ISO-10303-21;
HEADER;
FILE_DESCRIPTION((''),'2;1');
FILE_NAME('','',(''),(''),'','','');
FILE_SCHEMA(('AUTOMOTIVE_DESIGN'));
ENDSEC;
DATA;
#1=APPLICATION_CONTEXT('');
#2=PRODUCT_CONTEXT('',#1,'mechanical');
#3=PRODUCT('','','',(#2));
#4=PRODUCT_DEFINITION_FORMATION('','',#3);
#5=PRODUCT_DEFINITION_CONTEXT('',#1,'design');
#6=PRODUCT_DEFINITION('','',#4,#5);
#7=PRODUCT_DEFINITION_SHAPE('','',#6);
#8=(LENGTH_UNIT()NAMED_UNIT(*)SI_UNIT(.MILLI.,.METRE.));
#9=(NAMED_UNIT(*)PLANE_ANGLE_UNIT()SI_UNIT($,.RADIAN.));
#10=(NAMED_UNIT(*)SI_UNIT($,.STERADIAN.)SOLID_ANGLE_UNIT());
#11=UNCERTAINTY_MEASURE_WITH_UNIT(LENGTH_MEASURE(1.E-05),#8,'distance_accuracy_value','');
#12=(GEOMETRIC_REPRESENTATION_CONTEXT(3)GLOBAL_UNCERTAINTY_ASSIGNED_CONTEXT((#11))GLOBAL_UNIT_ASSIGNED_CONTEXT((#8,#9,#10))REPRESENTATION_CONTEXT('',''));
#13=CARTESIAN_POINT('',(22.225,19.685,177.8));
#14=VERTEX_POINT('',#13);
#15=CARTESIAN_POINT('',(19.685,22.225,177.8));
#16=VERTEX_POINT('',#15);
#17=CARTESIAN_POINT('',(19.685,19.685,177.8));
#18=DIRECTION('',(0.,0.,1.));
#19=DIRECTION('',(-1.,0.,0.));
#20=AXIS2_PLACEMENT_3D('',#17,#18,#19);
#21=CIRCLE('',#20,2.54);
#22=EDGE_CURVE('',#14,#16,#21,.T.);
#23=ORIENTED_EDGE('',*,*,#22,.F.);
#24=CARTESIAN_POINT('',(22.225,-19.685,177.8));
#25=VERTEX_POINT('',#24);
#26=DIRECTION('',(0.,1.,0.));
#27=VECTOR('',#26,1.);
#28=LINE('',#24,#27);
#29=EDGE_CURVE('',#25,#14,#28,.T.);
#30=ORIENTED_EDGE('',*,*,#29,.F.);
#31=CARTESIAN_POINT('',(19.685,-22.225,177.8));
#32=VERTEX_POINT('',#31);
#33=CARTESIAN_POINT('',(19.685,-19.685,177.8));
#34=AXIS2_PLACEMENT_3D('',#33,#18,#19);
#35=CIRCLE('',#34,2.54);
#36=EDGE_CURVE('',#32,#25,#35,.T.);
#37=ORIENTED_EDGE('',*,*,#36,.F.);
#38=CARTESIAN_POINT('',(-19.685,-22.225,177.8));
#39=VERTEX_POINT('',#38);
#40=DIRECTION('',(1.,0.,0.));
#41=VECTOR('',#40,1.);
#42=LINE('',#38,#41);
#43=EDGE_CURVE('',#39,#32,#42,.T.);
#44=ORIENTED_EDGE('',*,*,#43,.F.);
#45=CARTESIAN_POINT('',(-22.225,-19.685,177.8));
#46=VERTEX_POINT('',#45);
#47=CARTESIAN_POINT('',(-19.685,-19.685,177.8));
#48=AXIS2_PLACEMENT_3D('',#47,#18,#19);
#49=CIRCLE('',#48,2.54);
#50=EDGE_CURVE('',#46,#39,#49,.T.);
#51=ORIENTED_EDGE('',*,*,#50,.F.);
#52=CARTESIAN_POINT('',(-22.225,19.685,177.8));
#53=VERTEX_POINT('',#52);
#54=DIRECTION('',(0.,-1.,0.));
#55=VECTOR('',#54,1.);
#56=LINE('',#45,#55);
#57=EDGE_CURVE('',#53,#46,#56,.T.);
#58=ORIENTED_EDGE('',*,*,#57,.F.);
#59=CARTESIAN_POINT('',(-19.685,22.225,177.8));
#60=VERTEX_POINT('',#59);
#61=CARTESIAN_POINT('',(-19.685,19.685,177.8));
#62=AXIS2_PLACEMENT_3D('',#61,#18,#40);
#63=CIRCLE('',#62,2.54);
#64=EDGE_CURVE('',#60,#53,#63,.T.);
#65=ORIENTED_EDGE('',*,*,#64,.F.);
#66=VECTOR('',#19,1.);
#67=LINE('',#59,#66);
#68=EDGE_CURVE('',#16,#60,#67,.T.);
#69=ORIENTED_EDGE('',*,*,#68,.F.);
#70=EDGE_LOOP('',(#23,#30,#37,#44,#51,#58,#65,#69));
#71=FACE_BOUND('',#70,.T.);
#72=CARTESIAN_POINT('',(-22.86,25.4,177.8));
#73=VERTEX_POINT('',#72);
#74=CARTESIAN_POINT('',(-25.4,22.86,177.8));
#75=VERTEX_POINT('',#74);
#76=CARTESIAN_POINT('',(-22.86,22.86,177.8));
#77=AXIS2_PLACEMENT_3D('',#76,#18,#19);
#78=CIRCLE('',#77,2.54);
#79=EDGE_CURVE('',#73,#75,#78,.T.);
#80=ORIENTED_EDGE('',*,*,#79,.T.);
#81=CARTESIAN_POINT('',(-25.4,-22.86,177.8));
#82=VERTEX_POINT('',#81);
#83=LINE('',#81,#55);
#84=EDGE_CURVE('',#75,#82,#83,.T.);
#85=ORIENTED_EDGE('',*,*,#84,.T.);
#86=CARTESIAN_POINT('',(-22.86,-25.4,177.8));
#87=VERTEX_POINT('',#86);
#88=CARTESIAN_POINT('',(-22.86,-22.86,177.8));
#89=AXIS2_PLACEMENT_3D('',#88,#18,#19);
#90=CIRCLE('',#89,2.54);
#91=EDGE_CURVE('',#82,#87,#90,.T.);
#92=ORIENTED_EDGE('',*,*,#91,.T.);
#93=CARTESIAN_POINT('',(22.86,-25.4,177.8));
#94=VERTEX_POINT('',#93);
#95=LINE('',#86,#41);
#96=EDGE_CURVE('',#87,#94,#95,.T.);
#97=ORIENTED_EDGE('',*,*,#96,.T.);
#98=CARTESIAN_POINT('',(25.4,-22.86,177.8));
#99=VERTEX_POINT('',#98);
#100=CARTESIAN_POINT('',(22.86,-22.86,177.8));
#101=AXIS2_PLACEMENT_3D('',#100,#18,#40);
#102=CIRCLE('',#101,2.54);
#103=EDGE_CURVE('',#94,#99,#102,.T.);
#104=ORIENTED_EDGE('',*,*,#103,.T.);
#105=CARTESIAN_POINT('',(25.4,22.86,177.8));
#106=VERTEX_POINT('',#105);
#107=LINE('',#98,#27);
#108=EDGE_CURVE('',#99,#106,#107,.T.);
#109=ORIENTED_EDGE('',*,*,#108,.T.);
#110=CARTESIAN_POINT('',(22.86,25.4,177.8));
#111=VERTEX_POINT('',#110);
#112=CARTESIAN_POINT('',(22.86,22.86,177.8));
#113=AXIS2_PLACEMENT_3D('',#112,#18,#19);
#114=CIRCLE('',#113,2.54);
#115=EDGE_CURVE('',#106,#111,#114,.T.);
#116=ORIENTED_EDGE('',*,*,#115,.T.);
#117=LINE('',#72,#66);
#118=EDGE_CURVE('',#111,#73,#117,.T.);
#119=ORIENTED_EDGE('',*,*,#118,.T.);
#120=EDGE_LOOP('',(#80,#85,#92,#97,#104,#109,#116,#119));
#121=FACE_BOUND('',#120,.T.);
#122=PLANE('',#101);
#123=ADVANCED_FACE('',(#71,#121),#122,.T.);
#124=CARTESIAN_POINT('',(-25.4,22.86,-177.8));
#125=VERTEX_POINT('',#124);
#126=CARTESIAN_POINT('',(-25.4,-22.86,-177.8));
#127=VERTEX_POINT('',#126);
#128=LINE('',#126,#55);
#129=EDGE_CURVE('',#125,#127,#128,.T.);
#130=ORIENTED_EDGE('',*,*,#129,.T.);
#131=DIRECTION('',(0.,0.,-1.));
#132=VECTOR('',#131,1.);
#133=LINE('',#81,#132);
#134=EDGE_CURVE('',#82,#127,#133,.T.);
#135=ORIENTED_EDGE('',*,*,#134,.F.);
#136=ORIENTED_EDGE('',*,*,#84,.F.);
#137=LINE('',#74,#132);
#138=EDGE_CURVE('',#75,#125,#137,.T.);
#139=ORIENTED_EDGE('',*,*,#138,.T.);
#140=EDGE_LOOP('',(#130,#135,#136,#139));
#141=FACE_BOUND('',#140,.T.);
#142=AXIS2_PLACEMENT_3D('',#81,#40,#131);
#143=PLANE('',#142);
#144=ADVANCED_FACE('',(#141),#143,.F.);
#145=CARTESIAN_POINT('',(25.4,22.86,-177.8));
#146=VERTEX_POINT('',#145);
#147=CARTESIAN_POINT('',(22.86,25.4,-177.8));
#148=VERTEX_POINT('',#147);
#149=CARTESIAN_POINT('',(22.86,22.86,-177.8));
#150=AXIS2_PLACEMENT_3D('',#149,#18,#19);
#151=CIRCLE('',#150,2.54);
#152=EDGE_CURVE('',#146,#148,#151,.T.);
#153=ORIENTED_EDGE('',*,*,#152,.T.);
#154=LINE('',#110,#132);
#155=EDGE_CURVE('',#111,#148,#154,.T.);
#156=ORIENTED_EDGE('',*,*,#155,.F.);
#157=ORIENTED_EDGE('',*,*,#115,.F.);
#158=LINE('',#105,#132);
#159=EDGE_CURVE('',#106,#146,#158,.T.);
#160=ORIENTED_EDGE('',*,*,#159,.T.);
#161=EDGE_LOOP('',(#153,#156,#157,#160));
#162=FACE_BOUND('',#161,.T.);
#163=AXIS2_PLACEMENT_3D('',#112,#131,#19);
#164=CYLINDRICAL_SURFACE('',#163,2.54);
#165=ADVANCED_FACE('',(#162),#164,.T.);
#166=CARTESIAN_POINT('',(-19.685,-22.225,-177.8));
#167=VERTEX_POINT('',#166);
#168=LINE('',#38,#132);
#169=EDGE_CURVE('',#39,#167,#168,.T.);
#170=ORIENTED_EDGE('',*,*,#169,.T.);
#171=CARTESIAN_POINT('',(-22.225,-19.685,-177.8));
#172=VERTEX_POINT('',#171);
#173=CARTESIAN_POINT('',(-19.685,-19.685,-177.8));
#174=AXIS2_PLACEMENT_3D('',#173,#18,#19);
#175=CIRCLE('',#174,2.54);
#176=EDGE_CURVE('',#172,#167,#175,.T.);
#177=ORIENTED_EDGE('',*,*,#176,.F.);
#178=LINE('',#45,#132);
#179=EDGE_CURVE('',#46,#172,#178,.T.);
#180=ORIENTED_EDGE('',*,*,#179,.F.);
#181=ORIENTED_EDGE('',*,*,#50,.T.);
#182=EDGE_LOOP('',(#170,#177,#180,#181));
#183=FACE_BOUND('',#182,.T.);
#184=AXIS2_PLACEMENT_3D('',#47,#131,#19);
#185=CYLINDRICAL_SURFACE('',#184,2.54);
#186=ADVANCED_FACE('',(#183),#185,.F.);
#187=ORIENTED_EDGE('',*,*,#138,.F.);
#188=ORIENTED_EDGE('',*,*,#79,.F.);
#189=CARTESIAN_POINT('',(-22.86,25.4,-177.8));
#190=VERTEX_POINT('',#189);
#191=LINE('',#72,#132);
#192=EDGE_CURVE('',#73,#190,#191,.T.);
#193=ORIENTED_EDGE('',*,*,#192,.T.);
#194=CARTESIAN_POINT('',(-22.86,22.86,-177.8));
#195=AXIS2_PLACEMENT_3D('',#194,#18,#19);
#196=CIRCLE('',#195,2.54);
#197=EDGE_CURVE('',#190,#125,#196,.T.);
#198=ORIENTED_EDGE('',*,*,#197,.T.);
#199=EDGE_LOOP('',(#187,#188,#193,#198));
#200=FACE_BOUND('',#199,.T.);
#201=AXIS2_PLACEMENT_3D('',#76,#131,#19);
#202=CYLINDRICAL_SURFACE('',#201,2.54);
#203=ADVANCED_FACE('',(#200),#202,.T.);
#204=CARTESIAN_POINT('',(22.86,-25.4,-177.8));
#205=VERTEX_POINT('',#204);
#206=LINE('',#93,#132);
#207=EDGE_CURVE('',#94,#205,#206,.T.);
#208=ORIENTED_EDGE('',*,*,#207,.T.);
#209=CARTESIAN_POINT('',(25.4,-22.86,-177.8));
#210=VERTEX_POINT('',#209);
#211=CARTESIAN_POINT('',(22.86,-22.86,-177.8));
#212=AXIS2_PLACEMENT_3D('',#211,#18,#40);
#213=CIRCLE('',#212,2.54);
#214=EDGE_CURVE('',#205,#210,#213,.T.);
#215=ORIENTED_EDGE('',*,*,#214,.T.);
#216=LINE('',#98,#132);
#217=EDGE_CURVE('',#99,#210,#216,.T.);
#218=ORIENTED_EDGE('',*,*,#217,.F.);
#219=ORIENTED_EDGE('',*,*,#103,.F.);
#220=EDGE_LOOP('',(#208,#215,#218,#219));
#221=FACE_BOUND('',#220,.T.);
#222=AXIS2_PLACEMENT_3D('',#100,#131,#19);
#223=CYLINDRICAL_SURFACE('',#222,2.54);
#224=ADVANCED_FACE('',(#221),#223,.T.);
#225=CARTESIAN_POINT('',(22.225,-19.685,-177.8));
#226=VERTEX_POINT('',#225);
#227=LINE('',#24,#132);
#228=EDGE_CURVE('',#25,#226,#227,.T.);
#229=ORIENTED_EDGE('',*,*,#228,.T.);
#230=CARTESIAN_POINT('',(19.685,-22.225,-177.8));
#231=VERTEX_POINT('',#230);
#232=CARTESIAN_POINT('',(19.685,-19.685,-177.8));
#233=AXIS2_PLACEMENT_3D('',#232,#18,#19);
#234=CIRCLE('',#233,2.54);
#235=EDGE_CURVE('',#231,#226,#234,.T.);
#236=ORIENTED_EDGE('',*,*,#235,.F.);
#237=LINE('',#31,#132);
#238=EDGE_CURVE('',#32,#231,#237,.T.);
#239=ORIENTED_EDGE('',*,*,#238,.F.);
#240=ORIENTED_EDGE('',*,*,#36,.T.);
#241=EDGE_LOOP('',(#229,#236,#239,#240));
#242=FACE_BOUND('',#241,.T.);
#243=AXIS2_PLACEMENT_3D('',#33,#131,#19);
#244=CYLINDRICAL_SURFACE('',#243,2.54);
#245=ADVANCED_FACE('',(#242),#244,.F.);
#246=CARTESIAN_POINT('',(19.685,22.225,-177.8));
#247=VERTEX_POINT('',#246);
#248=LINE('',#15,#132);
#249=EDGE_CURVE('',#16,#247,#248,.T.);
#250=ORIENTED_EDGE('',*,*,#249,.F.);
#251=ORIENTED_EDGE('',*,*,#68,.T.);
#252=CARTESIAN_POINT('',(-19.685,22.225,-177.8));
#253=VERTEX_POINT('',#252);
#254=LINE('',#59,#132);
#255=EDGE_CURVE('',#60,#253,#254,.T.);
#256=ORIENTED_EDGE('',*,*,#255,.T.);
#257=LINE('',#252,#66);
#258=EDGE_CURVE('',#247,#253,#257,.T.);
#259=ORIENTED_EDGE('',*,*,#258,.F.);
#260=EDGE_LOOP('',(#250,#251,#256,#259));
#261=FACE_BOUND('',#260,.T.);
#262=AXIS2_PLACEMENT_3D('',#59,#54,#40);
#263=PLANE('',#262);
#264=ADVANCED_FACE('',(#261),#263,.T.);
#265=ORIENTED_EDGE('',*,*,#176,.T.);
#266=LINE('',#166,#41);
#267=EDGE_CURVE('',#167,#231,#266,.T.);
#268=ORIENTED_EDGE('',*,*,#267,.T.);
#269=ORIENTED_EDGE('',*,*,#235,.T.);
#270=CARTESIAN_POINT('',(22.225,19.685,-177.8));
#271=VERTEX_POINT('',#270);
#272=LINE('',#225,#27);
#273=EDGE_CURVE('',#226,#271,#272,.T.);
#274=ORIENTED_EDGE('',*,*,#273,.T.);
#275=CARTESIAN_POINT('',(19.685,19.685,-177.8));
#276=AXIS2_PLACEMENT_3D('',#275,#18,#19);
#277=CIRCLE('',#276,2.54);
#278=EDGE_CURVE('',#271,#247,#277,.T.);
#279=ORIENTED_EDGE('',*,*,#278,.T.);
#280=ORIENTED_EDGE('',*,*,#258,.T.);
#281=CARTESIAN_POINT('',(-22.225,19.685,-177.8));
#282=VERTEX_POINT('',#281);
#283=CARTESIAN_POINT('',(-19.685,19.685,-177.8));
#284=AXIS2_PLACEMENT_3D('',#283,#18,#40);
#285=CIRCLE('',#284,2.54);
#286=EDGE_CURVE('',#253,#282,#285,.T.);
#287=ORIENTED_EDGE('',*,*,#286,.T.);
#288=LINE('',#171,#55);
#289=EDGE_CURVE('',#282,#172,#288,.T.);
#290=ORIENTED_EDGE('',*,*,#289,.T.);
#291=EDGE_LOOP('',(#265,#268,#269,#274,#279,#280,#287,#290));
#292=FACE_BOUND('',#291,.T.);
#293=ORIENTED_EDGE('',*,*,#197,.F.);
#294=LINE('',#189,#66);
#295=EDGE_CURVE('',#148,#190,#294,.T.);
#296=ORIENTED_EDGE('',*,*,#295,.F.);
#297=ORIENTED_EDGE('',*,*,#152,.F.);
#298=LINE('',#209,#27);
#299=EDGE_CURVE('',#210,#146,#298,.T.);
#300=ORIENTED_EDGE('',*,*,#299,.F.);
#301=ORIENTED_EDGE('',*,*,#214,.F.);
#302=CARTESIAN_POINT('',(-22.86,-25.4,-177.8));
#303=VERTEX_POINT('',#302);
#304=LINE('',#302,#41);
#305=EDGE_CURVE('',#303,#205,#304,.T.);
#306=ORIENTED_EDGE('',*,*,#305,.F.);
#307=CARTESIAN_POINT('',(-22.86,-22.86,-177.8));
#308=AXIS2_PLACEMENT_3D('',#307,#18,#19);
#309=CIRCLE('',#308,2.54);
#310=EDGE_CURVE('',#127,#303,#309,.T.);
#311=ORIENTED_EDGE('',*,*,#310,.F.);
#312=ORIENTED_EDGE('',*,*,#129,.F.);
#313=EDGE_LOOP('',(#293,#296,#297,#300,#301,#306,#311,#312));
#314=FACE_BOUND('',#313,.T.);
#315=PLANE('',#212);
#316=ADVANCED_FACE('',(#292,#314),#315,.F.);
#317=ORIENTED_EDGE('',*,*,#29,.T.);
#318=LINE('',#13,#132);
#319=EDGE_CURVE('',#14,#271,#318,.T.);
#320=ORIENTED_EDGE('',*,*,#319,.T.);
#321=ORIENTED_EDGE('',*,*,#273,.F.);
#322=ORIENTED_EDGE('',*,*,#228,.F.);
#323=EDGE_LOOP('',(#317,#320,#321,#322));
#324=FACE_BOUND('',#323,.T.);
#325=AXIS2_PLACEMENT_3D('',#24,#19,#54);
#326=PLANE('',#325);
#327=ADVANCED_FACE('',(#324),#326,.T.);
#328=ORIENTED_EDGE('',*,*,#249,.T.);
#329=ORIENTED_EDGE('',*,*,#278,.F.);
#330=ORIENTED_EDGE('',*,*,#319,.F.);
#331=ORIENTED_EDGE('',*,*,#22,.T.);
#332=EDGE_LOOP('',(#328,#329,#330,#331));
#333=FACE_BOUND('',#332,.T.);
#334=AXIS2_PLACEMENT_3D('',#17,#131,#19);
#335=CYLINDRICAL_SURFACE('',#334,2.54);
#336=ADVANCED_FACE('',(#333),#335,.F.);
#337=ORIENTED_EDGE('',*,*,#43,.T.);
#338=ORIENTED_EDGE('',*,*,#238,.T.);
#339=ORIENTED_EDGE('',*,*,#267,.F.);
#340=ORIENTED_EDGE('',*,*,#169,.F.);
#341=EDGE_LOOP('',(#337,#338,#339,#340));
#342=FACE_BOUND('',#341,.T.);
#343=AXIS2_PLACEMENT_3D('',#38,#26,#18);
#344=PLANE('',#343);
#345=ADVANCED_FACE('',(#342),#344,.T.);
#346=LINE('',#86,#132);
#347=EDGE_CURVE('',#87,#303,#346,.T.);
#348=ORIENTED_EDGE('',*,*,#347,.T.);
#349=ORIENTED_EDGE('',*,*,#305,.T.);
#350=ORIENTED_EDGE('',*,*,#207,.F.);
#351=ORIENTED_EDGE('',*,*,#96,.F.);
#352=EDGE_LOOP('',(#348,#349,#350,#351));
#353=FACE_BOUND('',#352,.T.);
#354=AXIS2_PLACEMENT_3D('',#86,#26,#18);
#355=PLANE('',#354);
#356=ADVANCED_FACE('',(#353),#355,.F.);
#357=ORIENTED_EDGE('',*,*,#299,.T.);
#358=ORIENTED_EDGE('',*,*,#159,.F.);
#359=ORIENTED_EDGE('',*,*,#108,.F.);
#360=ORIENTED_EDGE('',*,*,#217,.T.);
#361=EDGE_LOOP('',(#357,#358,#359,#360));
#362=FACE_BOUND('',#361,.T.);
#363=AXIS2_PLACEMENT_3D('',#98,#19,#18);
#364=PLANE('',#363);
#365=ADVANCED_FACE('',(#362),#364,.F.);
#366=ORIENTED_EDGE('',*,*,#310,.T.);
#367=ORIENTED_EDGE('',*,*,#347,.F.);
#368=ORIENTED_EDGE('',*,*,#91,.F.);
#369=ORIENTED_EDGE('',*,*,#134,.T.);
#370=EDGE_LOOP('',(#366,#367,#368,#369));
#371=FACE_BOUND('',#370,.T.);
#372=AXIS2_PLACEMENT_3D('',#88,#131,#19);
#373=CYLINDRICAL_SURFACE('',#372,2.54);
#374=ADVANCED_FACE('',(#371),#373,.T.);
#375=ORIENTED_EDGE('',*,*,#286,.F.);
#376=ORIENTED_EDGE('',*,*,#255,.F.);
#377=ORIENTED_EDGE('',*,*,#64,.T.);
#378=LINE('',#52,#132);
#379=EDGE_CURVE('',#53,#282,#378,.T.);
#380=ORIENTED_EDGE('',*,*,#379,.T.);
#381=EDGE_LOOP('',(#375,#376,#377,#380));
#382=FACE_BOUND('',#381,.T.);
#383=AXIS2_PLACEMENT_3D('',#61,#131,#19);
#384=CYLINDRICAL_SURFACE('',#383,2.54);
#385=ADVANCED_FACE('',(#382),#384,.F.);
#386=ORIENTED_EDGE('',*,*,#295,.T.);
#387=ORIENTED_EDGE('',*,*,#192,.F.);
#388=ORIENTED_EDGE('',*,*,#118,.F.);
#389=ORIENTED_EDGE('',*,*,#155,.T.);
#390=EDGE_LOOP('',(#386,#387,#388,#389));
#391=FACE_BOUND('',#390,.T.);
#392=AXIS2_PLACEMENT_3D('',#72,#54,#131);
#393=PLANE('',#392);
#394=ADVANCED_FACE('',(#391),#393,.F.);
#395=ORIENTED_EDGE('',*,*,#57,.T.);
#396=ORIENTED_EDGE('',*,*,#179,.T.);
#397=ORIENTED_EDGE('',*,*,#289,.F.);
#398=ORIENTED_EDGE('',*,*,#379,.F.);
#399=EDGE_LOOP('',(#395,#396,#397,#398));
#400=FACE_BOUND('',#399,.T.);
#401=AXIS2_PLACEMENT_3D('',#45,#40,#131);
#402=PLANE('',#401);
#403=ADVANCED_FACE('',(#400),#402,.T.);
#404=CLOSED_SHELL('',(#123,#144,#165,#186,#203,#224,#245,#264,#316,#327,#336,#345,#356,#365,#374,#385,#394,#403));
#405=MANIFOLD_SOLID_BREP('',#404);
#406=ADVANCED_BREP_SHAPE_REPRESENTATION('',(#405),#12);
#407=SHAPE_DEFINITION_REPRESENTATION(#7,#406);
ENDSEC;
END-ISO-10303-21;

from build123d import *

# Parameters (mm, degrees)
BOSS_EXTRUDE1_DEPTH = 177.8


with BuildPart() as part:
    # Sketch1 → Boss-Extrude1 (new, symmetric)
    with BuildSketch(Plane.XY):
        with BuildLine():
            Line((-22.86, -25.4), (22.86, -25.4))
            ThreePointArc((22.86, -25.4), (24.656051224, -24.656051224), (25.4, -22.86))
            Line((25.4, -22.86), (25.4, 22.86))
            ThreePointArc((25.4, 22.86), (24.656051224, 24.656051224), (22.86, 25.4))
            Line((22.86, 25.4), (-22.86, 25.4))
            ThreePointArc((-22.86, 25.4), (-24.656051224, 24.656051224), (-25.4, 22.86))
            Line((-25.4, 22.86), (-25.4, -22.86))
            ThreePointArc((-25.4, -22.86), (-24.656051224, -24.656051224), (-22.86, -25.4))
        make_face()
        with BuildLine():
            Line((-19.685, 22.225), (19.685, 22.225))
            ThreePointArc((19.685, 22.225), (21.481051224, 21.481051224), (22.225, 19.685))
            Line((22.225, 19.685), (22.225, -19.685))
            ThreePointArc((22.225, -19.685), (21.481051224, -21.481051224), (19.685, -22.225))
            Line((19.685, -22.225), (-19.685, -22.225))
            ThreePointArc((-19.685, -22.225), (-21.481051224, -21.481051224), (-22.225, -19.685))
            Line((-22.225, -19.685), (-22.225, 19.685))
            ThreePointArc((-22.225, 19.685), (-21.481051224, 21.481051224), (-19.685, 22.225))
        make_face(mode=Mode.SUBTRACT)
    extrude(amount=BOSS_EXTRUDE1_DEPTH, both=True)


solid = part.part
